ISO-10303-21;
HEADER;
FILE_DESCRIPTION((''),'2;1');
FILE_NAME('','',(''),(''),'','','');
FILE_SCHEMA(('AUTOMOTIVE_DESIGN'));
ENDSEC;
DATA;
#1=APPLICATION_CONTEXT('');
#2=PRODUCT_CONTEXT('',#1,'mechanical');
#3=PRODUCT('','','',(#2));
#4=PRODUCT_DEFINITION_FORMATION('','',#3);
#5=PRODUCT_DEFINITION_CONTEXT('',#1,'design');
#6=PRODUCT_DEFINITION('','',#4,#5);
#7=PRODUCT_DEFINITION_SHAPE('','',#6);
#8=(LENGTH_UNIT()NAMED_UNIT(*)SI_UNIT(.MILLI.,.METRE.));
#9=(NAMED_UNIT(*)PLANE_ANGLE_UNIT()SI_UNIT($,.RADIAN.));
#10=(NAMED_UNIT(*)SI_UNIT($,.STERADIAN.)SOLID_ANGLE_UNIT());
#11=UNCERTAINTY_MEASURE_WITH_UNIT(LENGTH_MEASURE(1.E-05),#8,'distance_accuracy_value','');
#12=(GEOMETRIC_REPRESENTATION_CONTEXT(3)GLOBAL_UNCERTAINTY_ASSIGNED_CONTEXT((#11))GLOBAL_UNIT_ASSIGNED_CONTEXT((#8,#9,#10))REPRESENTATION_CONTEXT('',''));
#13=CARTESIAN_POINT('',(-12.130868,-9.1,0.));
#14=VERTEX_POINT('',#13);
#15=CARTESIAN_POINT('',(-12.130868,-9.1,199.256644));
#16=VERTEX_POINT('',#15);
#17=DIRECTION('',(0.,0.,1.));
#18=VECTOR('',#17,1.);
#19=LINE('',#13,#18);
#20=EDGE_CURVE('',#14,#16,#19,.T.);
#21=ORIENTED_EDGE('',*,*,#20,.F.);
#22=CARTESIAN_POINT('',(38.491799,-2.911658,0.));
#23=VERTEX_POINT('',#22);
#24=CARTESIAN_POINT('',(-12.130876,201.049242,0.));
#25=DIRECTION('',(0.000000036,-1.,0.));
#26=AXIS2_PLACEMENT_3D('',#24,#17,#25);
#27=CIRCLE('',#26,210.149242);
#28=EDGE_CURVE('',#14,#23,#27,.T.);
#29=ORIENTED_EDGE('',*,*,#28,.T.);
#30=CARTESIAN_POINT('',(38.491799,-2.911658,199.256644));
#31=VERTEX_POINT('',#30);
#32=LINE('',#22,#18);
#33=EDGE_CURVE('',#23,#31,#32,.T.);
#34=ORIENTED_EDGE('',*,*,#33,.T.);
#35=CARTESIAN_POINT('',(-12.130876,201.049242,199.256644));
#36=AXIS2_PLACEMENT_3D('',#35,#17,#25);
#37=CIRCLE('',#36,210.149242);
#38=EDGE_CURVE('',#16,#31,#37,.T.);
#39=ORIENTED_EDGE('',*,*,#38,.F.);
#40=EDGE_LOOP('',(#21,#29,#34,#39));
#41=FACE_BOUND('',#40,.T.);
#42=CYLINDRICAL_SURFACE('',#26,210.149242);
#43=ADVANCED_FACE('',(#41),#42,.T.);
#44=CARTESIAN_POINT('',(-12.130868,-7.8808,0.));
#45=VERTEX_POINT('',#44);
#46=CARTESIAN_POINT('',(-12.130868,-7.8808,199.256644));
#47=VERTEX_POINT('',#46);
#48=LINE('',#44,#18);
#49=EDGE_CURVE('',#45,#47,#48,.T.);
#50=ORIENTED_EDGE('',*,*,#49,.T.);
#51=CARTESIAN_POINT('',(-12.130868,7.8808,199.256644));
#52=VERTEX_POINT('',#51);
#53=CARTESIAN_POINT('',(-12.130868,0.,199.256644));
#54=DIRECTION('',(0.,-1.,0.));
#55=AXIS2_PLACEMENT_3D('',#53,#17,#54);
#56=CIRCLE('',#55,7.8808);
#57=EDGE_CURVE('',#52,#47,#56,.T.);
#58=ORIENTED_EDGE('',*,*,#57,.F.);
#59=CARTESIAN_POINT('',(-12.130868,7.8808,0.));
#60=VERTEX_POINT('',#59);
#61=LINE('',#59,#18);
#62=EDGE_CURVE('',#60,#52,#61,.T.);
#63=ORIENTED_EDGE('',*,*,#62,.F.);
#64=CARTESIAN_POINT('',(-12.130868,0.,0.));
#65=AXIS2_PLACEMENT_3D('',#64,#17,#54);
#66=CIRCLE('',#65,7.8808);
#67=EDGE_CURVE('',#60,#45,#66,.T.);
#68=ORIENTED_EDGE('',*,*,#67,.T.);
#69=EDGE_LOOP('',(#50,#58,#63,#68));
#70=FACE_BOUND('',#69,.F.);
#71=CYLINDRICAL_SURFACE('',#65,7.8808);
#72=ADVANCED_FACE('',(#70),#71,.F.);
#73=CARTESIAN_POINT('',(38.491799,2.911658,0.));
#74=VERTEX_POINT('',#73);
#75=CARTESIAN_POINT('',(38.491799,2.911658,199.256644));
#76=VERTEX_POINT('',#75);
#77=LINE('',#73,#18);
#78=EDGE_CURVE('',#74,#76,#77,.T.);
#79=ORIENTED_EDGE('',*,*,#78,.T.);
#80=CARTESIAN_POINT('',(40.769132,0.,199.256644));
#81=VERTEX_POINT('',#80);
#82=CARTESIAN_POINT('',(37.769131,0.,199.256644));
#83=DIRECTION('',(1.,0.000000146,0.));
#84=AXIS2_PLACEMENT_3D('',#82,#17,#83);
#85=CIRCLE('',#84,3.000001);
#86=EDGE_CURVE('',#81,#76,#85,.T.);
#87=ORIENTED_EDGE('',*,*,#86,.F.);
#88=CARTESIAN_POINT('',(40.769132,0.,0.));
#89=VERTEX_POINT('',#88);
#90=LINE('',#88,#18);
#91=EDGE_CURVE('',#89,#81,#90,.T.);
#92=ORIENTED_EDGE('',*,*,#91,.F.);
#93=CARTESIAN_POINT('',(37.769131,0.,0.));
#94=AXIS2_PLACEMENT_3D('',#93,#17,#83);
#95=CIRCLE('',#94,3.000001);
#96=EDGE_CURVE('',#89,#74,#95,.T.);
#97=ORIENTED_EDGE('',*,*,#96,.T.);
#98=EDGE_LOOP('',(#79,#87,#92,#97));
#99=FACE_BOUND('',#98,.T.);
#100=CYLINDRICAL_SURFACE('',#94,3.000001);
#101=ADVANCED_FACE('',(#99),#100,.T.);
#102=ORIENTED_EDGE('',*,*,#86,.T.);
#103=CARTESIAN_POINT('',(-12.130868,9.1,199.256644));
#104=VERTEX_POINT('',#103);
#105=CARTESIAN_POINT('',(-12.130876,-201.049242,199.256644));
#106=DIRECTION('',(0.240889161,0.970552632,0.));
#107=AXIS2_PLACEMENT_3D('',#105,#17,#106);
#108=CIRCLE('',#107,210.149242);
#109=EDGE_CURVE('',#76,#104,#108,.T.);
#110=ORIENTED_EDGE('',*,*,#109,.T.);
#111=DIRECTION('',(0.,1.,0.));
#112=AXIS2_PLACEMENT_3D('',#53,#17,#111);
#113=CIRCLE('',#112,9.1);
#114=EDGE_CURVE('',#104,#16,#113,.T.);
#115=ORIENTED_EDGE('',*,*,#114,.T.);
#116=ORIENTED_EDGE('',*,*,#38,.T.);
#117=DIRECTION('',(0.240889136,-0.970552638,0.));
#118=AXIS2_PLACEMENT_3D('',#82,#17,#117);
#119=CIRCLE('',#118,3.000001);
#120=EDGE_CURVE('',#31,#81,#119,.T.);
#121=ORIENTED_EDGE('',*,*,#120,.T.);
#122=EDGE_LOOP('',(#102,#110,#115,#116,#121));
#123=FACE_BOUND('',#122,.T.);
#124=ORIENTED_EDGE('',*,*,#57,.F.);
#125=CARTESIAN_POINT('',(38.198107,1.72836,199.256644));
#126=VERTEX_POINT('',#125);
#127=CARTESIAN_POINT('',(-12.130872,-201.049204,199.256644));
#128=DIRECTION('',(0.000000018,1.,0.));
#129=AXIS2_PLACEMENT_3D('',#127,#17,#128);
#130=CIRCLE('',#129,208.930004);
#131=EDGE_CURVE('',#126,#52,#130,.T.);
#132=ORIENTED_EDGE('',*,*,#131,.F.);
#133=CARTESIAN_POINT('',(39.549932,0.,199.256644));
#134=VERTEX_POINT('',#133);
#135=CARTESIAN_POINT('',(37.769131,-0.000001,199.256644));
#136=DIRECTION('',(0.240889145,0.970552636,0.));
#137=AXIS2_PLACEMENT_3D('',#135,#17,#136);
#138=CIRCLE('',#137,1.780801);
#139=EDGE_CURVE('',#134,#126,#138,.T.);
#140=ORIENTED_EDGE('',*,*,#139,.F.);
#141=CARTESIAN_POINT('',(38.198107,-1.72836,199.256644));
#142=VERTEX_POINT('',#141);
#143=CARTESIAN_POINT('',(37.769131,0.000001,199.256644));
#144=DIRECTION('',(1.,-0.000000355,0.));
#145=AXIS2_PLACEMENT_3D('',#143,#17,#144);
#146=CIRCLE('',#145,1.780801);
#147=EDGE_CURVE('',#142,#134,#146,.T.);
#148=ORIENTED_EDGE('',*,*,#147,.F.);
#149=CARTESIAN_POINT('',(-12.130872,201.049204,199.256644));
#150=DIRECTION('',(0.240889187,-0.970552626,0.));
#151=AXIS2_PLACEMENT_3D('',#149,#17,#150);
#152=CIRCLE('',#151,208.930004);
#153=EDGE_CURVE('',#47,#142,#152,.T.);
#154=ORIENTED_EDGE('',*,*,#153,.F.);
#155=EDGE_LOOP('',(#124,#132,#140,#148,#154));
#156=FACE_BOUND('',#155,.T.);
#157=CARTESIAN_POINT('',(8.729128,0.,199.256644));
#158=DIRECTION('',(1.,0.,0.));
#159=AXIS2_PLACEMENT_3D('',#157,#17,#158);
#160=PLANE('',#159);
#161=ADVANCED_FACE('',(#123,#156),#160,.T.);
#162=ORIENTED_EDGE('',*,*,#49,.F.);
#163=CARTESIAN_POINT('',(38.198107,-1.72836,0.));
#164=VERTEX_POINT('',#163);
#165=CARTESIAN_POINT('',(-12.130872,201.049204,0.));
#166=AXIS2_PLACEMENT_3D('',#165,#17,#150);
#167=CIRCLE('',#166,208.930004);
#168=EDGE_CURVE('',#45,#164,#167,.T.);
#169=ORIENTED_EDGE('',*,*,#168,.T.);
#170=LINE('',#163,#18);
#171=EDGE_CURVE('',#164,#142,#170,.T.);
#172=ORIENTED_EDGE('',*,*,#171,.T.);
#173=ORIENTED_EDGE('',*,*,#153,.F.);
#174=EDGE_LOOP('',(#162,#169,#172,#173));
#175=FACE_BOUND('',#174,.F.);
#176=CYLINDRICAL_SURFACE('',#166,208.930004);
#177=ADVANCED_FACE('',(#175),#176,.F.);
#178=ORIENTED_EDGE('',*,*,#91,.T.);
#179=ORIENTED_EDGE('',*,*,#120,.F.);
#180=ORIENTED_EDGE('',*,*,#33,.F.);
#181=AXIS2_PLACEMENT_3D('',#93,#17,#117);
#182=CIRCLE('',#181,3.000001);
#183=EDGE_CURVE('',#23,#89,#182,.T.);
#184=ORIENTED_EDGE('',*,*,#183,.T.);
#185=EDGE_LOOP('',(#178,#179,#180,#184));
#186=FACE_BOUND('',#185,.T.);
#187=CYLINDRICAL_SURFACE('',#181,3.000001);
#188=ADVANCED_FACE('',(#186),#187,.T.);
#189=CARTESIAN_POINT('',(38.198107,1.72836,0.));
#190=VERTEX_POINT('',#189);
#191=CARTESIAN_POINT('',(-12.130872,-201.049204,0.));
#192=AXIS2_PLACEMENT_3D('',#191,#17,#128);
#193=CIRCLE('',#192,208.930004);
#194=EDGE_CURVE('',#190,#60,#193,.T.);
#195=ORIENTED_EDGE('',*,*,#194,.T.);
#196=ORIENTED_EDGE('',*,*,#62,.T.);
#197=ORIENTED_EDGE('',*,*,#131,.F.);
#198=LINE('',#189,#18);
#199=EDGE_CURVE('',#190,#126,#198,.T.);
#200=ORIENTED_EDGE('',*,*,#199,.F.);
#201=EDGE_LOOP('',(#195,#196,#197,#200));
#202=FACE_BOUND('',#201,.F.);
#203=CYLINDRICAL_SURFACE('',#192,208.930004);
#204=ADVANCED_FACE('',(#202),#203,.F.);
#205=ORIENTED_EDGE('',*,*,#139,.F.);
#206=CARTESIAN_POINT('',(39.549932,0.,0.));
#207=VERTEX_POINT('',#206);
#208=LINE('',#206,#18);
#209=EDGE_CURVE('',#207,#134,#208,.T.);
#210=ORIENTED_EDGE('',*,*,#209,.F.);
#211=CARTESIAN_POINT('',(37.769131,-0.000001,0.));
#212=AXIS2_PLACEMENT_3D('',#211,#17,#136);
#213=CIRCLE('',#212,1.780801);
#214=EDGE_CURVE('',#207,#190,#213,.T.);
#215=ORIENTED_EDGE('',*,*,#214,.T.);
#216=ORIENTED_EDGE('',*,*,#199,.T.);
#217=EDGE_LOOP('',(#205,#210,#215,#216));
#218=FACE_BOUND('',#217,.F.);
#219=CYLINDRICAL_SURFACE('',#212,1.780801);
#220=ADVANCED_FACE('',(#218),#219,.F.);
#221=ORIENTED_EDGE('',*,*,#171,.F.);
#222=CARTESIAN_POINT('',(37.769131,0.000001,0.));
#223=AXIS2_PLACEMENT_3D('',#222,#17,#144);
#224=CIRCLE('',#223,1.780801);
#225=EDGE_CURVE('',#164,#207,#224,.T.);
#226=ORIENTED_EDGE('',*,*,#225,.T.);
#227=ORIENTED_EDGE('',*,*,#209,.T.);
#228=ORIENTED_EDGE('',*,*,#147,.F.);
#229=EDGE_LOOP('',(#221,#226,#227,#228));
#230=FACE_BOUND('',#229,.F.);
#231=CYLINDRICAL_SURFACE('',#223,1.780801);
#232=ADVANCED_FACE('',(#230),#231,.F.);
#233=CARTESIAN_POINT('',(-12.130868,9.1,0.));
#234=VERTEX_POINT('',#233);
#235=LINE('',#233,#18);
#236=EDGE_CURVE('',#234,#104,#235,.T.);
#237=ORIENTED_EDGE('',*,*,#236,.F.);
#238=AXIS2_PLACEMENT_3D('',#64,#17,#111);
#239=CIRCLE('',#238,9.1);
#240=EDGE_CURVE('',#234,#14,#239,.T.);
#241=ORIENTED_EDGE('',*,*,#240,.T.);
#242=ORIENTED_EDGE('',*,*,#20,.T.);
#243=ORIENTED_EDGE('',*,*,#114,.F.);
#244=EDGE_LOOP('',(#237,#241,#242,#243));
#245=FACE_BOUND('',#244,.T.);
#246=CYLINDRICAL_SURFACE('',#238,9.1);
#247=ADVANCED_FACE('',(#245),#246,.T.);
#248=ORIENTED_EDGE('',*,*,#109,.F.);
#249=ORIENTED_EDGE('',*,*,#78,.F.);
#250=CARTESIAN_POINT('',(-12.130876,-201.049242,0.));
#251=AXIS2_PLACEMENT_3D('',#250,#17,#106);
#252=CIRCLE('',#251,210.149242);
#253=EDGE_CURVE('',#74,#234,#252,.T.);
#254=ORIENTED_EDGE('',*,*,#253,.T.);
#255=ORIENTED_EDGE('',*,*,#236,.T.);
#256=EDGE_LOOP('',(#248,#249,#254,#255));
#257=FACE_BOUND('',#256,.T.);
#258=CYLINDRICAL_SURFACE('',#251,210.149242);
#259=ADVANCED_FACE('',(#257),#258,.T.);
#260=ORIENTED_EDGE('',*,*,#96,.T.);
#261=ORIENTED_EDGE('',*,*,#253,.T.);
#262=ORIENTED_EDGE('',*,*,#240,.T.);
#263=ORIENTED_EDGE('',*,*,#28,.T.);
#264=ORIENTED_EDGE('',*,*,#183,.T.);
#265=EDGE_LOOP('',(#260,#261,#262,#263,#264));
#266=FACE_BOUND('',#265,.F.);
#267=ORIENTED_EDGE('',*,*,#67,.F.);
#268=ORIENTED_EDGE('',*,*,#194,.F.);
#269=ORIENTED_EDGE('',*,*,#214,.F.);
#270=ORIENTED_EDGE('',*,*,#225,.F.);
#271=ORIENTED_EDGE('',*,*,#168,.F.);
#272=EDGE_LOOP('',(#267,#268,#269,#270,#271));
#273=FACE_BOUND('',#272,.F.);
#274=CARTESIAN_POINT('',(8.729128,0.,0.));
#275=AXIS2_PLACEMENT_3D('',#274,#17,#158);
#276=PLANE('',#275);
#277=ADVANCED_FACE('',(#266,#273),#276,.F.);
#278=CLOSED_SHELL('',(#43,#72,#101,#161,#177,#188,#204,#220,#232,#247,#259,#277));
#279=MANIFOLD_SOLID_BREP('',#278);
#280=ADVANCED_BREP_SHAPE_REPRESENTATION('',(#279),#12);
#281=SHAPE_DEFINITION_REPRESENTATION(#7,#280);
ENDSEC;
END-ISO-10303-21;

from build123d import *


with BuildPart() as f3:
    # F3: sweep along a path in F0
    with BuildLine(Plane.XZ) as f3_path:
        Line((-10, 0), (-10, 199.256644))
    # F1 (on Top) → F3 (sweep)
    with BuildSketch(Plane.XY):
        with BuildLine():
            Line((-12.130868, 7.8808), (-12.130868, 9.1))
            ThreePointArc((-12.130868, 9.1), (-21.230868, 0), (-12.130868, -9.1))
            ThreePointArc((-12.130868, -9.1), (13.368887, -7.547177), (38.491799, -2.911658))
            ThreePointArc((38.491799, -2.911658), (40.132181, -1.848242), (40.769132, 0))
            Line((40.769132, 0), (39.549932, 0))
            ThreePointArc((39.549932, 0), (39.171838, -1.097116), (38.198107, -1.72836))
            ThreePointArc((38.198107, -1.72836), (13.220948, -6.336986), (-12.130868, -7.8808))
            ThreePointArc((-12.130868, -7.8808), (-20.011668, 0), (-12.130868, 7.8808))
        make_face()
        with BuildLine():
            ThreePointArc((38.491799, 2.911658), (13.368887, 7.547177), (-12.130868, 9.1))
            Line((-12.130868, 9.1), (-12.130868, 7.8808))
            ThreePointArc((-12.130868, 7.8808), (13.220948, 6.336986), (38.198107, 1.72836))
            ThreePointArc((38.198107, 1.72836), (39.171838, 1.097116), (39.549932, 0))
            Line((39.549932, 0), (40.769132, 0))
            ThreePointArc((40.769132, 0), (40.132181, 1.848242), (38.491799, 2.911658))
        make_face()
    sweep(path=f3_path.line)


solid = f3.part
